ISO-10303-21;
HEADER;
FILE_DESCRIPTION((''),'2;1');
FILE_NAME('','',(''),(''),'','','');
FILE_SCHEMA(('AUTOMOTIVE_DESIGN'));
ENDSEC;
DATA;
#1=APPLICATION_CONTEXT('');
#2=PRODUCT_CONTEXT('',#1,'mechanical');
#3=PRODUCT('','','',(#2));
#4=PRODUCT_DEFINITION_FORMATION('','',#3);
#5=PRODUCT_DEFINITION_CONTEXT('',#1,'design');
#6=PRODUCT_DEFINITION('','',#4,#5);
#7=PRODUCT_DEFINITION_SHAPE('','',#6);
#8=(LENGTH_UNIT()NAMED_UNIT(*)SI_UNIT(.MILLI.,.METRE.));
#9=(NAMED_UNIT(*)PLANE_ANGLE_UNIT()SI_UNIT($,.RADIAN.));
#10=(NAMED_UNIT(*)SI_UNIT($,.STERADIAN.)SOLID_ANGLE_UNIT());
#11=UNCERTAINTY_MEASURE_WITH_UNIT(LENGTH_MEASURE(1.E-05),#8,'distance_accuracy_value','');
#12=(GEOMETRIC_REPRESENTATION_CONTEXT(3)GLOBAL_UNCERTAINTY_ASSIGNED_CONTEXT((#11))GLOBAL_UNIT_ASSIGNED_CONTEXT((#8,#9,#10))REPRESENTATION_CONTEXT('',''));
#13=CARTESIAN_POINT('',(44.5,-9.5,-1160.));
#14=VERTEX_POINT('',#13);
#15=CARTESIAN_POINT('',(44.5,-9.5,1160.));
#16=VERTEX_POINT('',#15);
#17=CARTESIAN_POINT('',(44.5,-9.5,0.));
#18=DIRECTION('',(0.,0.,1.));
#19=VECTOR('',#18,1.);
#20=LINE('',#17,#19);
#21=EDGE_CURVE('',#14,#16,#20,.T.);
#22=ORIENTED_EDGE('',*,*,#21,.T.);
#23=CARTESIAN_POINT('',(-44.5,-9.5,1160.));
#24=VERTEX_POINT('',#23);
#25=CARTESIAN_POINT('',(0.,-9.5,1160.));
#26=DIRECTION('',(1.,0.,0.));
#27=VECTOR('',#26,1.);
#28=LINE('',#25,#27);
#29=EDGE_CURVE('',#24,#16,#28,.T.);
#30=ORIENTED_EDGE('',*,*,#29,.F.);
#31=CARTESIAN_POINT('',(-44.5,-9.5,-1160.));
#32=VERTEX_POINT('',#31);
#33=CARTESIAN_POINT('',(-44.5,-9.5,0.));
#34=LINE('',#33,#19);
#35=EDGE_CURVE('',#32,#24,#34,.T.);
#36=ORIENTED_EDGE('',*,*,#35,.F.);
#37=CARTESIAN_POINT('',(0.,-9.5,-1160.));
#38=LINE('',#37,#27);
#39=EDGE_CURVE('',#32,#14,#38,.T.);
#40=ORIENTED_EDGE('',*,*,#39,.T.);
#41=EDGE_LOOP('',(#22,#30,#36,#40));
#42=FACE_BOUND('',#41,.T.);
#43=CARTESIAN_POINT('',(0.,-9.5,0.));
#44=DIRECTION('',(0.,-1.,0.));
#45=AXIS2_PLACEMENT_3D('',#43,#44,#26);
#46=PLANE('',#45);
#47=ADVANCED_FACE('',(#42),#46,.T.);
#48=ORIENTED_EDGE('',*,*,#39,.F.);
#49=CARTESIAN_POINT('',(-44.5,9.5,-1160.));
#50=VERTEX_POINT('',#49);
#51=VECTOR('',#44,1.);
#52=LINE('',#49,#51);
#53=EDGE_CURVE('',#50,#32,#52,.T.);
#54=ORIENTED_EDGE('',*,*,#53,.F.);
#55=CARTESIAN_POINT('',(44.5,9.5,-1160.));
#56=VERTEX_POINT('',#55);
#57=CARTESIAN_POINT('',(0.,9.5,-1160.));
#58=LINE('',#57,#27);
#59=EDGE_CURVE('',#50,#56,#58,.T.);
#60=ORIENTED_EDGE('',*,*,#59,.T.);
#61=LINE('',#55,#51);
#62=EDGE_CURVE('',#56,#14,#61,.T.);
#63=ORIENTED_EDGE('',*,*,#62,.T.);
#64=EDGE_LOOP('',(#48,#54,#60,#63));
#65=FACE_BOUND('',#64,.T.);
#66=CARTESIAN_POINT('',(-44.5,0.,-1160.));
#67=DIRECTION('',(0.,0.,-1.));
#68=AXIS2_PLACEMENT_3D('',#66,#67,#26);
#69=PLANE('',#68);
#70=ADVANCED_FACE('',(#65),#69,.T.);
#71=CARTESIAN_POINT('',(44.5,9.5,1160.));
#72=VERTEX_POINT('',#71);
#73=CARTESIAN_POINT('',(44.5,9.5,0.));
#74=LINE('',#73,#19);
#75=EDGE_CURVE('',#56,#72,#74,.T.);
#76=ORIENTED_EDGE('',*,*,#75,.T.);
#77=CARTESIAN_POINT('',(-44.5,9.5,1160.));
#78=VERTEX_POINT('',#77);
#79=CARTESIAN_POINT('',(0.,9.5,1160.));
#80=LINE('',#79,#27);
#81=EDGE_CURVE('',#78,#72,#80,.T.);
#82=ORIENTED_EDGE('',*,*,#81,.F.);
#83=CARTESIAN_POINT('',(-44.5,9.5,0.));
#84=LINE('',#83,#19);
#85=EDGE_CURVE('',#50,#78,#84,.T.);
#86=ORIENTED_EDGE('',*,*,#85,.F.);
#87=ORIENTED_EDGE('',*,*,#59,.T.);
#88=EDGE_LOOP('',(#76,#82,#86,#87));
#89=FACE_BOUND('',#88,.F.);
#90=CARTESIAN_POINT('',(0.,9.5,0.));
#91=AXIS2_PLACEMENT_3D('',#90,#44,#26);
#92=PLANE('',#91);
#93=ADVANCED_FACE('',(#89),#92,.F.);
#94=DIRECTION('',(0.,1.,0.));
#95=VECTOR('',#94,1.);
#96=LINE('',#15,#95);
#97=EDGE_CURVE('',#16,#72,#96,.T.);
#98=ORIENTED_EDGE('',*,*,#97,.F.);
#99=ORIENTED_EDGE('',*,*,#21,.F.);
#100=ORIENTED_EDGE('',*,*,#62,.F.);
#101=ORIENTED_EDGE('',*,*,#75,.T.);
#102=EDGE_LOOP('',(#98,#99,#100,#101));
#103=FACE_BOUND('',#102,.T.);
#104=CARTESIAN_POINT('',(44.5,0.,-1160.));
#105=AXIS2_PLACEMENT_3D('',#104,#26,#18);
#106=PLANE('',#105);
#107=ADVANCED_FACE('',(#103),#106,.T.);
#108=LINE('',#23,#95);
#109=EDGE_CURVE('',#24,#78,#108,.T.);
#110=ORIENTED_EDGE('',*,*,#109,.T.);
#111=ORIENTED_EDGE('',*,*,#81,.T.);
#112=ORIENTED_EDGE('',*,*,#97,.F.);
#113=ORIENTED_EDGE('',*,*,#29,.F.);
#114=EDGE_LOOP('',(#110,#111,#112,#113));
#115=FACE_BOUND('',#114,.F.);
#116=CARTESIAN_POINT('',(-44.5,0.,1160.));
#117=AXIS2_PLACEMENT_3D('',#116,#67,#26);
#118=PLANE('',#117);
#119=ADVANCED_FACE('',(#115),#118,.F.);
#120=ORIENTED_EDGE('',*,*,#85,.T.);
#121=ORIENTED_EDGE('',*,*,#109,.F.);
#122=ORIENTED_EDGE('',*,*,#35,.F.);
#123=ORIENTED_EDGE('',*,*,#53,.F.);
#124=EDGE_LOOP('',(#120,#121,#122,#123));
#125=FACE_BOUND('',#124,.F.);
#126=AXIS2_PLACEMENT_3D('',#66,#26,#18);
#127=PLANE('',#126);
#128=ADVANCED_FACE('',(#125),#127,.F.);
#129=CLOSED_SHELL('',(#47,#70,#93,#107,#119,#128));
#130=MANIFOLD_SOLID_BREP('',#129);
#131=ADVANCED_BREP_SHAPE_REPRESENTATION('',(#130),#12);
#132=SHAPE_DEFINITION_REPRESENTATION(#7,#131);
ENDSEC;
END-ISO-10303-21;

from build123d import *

# Parameters (mm, degrees)
F0_W     = 89
F0_H     = 2320
F1_DEPTH = 9.5


with BuildPart() as f1:
    # F0 (on Front) → F1 (new body, symmetric)
    with BuildSketch(Plane.XZ):
        with Locations((-4.657e-07, 0)):
            Rectangle(F0_W, F0_H)
    extrude(amount=F1_DEPTH, both=True)


solid = f1.part
